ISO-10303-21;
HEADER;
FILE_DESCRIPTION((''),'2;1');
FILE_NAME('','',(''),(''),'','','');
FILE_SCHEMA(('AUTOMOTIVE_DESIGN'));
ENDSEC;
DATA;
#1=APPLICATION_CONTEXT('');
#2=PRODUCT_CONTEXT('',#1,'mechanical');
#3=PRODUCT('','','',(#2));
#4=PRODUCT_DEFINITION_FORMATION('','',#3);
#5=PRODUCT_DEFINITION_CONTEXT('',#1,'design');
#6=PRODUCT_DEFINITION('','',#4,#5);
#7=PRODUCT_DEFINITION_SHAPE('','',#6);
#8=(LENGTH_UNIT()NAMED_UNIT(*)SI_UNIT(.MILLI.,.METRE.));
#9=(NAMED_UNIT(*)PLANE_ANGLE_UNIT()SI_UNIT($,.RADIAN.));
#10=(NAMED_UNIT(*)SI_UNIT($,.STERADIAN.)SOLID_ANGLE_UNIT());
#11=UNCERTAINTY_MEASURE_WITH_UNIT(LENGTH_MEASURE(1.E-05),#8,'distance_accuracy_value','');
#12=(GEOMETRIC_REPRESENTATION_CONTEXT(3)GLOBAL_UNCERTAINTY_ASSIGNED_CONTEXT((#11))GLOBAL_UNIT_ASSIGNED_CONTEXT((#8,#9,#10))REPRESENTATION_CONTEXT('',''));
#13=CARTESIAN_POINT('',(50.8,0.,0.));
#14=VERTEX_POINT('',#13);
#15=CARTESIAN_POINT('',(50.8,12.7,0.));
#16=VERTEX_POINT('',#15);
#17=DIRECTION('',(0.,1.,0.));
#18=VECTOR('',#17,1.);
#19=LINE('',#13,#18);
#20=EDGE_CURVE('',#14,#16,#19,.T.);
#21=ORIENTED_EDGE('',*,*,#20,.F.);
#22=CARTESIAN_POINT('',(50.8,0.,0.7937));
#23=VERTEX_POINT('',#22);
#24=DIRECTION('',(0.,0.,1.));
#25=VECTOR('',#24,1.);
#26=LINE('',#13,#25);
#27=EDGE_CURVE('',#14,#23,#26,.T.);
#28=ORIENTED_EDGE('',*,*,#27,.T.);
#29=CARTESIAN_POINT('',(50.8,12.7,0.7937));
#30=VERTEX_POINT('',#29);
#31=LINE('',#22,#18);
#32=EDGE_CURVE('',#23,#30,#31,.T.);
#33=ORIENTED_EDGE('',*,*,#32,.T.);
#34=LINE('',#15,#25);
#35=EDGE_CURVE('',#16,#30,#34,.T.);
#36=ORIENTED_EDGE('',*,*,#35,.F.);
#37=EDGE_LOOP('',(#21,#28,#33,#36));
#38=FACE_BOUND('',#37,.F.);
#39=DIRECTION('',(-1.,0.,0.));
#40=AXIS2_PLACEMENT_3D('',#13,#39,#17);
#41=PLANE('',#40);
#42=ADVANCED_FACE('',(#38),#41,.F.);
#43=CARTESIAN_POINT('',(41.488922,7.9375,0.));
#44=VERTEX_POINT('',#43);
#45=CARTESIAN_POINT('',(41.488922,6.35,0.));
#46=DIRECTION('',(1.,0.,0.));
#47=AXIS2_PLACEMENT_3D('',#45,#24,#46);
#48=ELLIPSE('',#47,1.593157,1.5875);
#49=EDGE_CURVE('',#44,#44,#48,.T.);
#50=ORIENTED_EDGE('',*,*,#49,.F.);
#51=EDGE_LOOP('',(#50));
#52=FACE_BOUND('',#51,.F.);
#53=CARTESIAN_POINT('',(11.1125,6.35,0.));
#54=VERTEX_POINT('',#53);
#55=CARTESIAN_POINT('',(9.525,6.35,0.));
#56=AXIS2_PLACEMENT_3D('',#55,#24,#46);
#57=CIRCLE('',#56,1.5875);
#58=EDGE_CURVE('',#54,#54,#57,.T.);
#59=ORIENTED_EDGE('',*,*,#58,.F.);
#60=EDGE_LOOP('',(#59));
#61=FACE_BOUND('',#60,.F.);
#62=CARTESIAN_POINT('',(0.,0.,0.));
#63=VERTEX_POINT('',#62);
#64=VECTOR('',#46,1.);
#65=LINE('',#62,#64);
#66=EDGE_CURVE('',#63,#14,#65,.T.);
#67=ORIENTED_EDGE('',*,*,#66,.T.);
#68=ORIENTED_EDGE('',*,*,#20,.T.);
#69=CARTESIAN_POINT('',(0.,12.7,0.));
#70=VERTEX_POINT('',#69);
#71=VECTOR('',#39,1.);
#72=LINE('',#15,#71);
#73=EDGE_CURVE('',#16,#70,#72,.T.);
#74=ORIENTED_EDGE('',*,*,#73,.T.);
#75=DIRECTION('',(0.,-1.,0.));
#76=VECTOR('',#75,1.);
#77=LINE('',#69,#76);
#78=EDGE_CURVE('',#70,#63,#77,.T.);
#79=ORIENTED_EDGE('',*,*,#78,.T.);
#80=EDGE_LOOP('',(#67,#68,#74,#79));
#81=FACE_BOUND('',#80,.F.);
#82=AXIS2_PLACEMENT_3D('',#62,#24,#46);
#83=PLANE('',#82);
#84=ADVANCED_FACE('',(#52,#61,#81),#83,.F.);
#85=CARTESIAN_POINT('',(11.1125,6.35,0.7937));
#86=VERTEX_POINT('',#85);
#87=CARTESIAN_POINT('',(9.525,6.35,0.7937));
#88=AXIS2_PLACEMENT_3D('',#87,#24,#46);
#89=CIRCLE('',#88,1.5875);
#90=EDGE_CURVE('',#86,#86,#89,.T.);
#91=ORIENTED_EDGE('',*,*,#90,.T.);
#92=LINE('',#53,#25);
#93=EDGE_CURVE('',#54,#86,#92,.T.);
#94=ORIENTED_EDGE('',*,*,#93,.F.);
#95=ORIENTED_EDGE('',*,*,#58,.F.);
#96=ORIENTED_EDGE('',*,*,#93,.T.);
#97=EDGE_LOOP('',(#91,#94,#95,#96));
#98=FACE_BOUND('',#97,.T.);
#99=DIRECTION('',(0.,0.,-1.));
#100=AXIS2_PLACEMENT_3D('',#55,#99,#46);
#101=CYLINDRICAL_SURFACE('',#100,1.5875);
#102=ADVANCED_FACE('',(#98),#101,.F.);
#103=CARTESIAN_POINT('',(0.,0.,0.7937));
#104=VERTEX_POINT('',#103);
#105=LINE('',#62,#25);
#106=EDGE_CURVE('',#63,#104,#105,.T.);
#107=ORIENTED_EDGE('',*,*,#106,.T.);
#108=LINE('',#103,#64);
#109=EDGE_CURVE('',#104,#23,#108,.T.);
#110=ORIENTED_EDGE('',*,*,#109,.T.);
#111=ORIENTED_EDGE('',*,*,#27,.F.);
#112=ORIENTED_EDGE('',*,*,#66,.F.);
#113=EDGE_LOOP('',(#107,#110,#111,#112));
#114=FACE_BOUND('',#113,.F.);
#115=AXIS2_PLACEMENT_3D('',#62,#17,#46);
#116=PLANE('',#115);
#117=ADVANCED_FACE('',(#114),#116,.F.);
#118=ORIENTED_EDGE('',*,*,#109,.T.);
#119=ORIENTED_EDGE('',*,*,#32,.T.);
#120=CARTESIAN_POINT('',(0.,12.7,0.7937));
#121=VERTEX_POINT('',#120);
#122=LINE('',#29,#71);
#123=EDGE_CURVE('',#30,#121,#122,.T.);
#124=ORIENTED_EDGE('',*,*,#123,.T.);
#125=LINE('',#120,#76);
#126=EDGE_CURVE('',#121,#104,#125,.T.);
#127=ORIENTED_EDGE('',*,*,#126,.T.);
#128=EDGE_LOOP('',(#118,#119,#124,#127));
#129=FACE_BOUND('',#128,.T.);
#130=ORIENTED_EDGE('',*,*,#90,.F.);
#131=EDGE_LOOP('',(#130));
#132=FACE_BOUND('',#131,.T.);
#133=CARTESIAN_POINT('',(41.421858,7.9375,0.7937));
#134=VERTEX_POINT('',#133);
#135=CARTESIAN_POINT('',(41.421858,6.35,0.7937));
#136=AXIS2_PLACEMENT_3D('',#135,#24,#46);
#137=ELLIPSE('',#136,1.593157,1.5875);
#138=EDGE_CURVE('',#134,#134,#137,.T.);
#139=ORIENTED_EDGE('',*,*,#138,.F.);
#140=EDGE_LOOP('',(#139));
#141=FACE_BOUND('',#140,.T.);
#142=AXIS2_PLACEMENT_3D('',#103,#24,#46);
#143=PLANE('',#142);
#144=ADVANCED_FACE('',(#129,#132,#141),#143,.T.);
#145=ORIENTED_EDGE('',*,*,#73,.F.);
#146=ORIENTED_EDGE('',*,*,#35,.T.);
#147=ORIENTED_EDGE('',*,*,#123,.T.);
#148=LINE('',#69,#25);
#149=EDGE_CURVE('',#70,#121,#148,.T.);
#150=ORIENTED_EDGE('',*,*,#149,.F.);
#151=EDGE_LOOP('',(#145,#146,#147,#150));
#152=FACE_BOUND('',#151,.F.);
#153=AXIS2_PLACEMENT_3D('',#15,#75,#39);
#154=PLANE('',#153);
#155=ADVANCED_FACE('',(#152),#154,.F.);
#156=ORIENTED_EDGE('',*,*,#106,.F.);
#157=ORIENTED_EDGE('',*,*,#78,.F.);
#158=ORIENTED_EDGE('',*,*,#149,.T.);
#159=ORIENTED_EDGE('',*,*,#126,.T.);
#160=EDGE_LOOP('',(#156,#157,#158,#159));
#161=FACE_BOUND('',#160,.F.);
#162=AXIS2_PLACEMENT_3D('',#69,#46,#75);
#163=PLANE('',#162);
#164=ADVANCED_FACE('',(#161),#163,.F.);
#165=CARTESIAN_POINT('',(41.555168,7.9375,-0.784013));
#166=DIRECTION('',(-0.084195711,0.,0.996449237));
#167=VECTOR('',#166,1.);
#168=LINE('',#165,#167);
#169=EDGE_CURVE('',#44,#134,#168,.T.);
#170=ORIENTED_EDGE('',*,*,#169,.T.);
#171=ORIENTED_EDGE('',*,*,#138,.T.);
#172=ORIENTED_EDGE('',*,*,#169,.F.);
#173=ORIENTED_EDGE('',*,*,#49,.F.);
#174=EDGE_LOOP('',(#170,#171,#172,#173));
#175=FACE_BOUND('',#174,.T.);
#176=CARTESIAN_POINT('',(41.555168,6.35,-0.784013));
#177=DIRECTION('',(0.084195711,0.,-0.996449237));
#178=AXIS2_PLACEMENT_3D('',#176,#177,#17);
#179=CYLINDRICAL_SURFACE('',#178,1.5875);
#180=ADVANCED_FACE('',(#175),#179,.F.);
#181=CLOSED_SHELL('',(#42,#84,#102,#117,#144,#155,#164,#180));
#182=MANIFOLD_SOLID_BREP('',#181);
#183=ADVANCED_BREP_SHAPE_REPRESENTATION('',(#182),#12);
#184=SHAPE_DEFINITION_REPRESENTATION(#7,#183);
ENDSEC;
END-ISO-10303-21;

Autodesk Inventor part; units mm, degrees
ref_plane "YZ Plane" through (0, 0, 0) normal (1, 0, 0) x (0, 1, 0)
ref_plane "XZ Plane" through (0, 0, 0) normal (0, 1, 0) x (-1, 0, 0)
sketch "Sketch1" plane through (0, 0, 0) normal (0, 0, 1) x (1, 0, 0)
  line L0 (0, 0) -> (50.8, 0)
  line L1 (50.8, 0) -> (50.8, 12.7)
  line L2 (50.8, 12.7) -> (0, 12.7)
  line L3 (0, 12.7) -> (0, 0)
  line L4 (25.4, 12.7) -> (25.4, 0) construction
  line L5 (9.525, 6.35) -> (41.275, 6.35) construction
  circle A0 centre (9.525, 6.35) radius 1.5875
  circle A1 centre (41.275, 6.35) radius 1.5875
  point P0 (25.4, 6.35)
  dimension "d0" = 12.7
  dimension "d1" = 50.8
  dimension "d2" = 3.175
  dimension "d3" = 9.525
extrude "Extrusion1" add sketch "Sketch1" along normal blind 0.7937 contours L3 L2 L1 L0 | A1
ref_plane "Work Plane2" through (117.4846, -2.3812, 5.6317) normal (-0.0842, 0, 0.9965) x (0, 1, 0)
sketch "Sketch2" plane through (117.4846, -2.3812, 5.6317) normal (-0.0842, 0, 0.9965) x (0, 1, 0)
  circle A0 centre (8.7312, 76.2) radius 1.5875 projected
  line L0 (18.2562, 0) -> (0, 0) construction
  line L1 (18.2562, 0) -> (18.2562, 92.075) construction
  line L2 (0, 92.075) -> (18.2562, 92.075) construction
  line L3 (0, 0) -> (0, 92.075) construction
  point P0 (2.3812, 117.5418)
extrude "Extrusion2" cut sketch "Sketch2" along normal through all
properties part number "Hopper Bracing P12 to P1" material "Aluminum 6061"
